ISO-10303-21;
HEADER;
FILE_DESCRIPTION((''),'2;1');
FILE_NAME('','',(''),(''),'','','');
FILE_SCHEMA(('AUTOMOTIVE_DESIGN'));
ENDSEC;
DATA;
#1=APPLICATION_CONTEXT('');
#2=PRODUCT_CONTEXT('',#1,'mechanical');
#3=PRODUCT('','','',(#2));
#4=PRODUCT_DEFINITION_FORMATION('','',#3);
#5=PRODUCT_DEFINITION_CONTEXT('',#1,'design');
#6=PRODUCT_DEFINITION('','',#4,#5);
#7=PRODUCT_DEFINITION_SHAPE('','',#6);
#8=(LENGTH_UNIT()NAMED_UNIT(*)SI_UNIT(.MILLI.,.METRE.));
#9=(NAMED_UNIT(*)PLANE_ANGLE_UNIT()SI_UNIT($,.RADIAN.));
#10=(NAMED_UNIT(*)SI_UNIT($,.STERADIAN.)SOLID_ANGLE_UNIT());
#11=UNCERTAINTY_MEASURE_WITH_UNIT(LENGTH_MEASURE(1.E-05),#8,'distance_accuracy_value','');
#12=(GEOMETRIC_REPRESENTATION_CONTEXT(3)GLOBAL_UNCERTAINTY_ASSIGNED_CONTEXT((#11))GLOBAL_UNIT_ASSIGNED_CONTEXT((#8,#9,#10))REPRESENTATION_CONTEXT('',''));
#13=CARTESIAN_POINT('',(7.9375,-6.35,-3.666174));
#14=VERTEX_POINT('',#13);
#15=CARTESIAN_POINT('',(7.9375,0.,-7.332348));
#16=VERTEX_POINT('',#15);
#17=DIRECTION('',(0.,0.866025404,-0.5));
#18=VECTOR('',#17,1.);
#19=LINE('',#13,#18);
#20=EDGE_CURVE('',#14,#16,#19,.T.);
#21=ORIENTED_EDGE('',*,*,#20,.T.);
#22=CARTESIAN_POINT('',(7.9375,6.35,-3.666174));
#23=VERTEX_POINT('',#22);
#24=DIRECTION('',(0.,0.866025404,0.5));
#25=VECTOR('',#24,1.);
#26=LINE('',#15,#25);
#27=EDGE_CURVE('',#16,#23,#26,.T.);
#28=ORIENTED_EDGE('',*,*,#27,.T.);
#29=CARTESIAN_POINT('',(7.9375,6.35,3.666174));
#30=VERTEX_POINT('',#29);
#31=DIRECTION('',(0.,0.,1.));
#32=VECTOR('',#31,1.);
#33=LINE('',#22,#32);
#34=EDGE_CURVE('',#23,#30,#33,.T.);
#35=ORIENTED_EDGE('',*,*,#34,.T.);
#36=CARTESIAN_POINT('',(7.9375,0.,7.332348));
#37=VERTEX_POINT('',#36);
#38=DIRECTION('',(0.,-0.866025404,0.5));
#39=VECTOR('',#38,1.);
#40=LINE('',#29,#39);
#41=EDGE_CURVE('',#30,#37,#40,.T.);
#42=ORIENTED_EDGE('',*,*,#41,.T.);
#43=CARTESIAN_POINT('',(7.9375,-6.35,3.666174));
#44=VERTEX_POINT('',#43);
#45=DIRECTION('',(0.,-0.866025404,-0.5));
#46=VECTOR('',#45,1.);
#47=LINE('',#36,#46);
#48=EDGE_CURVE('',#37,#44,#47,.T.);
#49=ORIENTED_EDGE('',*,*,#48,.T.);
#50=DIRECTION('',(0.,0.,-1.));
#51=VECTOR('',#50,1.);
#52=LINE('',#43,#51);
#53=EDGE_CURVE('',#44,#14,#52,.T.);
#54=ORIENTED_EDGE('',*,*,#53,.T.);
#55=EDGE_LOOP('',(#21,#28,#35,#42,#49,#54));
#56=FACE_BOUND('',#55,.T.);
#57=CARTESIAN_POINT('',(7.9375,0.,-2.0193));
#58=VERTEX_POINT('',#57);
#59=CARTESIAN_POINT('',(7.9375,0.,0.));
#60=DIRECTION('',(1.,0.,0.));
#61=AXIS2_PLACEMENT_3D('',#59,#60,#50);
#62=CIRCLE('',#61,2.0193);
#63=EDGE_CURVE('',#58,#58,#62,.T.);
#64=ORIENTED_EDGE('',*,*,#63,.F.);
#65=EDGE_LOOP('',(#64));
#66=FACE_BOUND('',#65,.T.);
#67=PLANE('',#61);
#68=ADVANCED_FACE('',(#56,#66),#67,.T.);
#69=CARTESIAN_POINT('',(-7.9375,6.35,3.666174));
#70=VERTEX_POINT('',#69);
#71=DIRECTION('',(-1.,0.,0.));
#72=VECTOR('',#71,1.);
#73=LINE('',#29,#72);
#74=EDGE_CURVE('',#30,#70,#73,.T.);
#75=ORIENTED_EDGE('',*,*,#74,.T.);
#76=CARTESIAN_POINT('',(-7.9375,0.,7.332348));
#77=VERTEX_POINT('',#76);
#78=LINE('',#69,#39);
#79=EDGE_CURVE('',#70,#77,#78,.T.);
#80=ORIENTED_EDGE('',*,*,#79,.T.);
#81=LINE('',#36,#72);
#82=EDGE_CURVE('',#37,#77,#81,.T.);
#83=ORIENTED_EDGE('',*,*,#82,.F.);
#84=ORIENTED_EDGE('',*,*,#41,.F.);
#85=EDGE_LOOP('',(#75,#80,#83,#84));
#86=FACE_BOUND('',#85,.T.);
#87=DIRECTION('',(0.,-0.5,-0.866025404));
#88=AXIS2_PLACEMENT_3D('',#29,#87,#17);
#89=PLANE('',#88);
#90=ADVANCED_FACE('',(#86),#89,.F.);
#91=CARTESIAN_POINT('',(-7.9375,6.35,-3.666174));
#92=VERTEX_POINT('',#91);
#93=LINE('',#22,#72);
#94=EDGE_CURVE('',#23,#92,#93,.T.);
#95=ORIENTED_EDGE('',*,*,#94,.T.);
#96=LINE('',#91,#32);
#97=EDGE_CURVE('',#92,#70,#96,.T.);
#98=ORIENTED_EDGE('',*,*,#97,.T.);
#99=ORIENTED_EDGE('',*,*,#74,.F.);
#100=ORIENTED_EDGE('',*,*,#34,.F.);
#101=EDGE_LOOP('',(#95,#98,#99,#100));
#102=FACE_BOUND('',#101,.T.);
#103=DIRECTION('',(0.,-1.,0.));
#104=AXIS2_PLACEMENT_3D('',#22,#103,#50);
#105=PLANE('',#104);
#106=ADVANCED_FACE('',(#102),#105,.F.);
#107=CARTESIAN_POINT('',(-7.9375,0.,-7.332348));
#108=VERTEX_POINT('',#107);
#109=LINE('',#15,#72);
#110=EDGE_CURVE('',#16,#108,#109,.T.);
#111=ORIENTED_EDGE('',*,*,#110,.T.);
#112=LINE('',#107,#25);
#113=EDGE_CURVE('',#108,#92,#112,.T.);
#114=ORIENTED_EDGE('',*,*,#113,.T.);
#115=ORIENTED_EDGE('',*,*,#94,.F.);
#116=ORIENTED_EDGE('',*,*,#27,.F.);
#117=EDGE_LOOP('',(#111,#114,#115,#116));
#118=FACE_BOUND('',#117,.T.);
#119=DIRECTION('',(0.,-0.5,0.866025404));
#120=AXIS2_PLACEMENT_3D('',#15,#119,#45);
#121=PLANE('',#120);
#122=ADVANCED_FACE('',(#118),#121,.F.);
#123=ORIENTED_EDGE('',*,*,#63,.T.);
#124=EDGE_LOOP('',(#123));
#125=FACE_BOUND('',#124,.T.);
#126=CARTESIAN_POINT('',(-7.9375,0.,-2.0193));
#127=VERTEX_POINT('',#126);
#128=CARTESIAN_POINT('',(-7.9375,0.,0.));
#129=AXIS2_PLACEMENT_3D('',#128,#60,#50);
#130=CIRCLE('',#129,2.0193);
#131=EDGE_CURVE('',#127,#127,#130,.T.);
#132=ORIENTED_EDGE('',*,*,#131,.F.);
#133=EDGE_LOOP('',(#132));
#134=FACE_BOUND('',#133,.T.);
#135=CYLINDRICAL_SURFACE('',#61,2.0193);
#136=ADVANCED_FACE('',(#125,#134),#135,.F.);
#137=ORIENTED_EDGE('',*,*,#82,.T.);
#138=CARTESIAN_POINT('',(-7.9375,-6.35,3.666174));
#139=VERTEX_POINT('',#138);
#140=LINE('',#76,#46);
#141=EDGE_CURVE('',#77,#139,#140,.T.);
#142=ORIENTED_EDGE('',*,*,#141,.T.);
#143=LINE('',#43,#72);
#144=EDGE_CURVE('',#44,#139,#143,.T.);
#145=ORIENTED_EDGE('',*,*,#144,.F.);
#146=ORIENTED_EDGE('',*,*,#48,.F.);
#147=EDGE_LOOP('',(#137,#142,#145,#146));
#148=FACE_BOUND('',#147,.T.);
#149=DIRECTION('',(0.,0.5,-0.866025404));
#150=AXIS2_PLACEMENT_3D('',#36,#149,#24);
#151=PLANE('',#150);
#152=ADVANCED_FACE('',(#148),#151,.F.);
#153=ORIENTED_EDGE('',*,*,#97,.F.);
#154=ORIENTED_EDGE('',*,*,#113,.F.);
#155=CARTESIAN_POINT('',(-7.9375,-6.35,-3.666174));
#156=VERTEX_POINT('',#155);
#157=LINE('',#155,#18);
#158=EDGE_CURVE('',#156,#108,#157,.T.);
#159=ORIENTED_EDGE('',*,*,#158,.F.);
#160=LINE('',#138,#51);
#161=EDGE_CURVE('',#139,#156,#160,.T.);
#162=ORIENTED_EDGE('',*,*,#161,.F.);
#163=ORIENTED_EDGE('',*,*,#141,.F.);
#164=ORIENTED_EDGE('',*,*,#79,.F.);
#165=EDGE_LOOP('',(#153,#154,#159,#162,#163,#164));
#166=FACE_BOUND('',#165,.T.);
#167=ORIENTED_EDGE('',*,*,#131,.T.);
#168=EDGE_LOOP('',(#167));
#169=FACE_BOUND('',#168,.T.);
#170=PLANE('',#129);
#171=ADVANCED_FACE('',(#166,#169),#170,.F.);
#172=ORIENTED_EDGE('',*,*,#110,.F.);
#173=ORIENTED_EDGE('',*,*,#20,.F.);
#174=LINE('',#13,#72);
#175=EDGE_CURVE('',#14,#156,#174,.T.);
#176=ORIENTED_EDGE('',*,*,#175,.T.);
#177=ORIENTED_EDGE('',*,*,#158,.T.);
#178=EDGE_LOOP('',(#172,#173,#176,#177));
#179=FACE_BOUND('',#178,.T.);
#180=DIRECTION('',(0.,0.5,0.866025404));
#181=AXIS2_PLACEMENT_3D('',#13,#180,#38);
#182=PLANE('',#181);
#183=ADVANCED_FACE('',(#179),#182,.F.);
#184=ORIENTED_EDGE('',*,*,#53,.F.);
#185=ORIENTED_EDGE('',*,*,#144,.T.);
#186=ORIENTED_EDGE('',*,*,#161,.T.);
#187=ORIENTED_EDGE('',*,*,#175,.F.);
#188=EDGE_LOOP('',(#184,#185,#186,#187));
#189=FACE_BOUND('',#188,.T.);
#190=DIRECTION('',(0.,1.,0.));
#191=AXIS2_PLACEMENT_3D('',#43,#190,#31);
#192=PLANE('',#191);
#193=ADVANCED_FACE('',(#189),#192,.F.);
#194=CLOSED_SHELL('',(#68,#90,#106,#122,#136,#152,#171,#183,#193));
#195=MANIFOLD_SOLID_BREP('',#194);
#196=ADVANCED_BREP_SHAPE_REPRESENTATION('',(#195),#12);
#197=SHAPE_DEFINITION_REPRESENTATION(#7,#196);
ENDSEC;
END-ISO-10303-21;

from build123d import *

# Parameters (mm, degrees)
BOSS_EXTRUDE1_DEPTH                  = 7.9375
F_10_32_TAPPED_HOLE1_D               = 4.0386
F_10_32_TAPPED_HOLE1_DEPTH           = 16.256
F_10_32_TAPPED_HOLE1_TIP             = 1.213317848
F_10_32_TAPPED_HOLE1_ON_FACE_2_D     = 4.0386
F_10_32_TAPPED_HOLE1_ON_FACE_2_DEPTH = 16.256
F_10_32_TAPPED_HOLE1_ON_FACE_2_TIP   = 1.213317848


with BuildPart() as part:
    # Sketch1 → Boss-Extrude1 (new, symmetric)
    with BuildSketch(Plane(origin=(0, 0, 0), x_dir=(0, 0, -1), z_dir=(1, 0, 0))):
        Polygon((7.332348419, 0), (3.666174209, 6.35), (-3.666174209, 6.35), (-7.332348419, 0), (-3.666174209, -6.35), (3.666174209, -6.35), align=None)
    extrude(amount=BOSS_EXTRUDE1_DEPTH, both=True)

    # #10-32 Tapped Hole1
    with Locations(Plane(origin=(7.9375, 0, 0), x_dir=(0, 0, 1), z_dir=(1, 0, 0))):
        with Locations((0, 0)):
            Hole(F_10_32_TAPPED_HOLE1_D / 2, depth=F_10_32_TAPPED_HOLE1_DEPTH)
            with Locations((0, 0, -(F_10_32_TAPPED_HOLE1_DEPTH + F_10_32_TAPPED_HOLE1_TIP / 2))):  # 118° drill point
                Cone(0, F_10_32_TAPPED_HOLE1_D / 2, F_10_32_TAPPED_HOLE1_TIP, mode=Mode.SUBTRACT)

    # #10-32 Tapped Hole1 on face 2
    with Locations(Plane(origin=(0, 0, 0), x_dir=(0, 0, 1), z_dir=(1, 0, 0))):
        with Locations((0, 0)):
            Hole(F_10_32_TAPPED_HOLE1_ON_FACE_2_D / 2, depth=F_10_32_TAPPED_HOLE1_ON_FACE_2_DEPTH)
            with Locations((0, 0, -(F_10_32_TAPPED_HOLE1_ON_FACE_2_DEPTH + F_10_32_TAPPED_HOLE1_ON_FACE_2_TIP / 2))):  # 118° drill point
                Cone(0, F_10_32_TAPPED_HOLE1_ON_FACE_2_D / 2, F_10_32_TAPPED_HOLE1_ON_FACE_2_TIP, mode=Mode.SUBTRACT)


solid = part.part
